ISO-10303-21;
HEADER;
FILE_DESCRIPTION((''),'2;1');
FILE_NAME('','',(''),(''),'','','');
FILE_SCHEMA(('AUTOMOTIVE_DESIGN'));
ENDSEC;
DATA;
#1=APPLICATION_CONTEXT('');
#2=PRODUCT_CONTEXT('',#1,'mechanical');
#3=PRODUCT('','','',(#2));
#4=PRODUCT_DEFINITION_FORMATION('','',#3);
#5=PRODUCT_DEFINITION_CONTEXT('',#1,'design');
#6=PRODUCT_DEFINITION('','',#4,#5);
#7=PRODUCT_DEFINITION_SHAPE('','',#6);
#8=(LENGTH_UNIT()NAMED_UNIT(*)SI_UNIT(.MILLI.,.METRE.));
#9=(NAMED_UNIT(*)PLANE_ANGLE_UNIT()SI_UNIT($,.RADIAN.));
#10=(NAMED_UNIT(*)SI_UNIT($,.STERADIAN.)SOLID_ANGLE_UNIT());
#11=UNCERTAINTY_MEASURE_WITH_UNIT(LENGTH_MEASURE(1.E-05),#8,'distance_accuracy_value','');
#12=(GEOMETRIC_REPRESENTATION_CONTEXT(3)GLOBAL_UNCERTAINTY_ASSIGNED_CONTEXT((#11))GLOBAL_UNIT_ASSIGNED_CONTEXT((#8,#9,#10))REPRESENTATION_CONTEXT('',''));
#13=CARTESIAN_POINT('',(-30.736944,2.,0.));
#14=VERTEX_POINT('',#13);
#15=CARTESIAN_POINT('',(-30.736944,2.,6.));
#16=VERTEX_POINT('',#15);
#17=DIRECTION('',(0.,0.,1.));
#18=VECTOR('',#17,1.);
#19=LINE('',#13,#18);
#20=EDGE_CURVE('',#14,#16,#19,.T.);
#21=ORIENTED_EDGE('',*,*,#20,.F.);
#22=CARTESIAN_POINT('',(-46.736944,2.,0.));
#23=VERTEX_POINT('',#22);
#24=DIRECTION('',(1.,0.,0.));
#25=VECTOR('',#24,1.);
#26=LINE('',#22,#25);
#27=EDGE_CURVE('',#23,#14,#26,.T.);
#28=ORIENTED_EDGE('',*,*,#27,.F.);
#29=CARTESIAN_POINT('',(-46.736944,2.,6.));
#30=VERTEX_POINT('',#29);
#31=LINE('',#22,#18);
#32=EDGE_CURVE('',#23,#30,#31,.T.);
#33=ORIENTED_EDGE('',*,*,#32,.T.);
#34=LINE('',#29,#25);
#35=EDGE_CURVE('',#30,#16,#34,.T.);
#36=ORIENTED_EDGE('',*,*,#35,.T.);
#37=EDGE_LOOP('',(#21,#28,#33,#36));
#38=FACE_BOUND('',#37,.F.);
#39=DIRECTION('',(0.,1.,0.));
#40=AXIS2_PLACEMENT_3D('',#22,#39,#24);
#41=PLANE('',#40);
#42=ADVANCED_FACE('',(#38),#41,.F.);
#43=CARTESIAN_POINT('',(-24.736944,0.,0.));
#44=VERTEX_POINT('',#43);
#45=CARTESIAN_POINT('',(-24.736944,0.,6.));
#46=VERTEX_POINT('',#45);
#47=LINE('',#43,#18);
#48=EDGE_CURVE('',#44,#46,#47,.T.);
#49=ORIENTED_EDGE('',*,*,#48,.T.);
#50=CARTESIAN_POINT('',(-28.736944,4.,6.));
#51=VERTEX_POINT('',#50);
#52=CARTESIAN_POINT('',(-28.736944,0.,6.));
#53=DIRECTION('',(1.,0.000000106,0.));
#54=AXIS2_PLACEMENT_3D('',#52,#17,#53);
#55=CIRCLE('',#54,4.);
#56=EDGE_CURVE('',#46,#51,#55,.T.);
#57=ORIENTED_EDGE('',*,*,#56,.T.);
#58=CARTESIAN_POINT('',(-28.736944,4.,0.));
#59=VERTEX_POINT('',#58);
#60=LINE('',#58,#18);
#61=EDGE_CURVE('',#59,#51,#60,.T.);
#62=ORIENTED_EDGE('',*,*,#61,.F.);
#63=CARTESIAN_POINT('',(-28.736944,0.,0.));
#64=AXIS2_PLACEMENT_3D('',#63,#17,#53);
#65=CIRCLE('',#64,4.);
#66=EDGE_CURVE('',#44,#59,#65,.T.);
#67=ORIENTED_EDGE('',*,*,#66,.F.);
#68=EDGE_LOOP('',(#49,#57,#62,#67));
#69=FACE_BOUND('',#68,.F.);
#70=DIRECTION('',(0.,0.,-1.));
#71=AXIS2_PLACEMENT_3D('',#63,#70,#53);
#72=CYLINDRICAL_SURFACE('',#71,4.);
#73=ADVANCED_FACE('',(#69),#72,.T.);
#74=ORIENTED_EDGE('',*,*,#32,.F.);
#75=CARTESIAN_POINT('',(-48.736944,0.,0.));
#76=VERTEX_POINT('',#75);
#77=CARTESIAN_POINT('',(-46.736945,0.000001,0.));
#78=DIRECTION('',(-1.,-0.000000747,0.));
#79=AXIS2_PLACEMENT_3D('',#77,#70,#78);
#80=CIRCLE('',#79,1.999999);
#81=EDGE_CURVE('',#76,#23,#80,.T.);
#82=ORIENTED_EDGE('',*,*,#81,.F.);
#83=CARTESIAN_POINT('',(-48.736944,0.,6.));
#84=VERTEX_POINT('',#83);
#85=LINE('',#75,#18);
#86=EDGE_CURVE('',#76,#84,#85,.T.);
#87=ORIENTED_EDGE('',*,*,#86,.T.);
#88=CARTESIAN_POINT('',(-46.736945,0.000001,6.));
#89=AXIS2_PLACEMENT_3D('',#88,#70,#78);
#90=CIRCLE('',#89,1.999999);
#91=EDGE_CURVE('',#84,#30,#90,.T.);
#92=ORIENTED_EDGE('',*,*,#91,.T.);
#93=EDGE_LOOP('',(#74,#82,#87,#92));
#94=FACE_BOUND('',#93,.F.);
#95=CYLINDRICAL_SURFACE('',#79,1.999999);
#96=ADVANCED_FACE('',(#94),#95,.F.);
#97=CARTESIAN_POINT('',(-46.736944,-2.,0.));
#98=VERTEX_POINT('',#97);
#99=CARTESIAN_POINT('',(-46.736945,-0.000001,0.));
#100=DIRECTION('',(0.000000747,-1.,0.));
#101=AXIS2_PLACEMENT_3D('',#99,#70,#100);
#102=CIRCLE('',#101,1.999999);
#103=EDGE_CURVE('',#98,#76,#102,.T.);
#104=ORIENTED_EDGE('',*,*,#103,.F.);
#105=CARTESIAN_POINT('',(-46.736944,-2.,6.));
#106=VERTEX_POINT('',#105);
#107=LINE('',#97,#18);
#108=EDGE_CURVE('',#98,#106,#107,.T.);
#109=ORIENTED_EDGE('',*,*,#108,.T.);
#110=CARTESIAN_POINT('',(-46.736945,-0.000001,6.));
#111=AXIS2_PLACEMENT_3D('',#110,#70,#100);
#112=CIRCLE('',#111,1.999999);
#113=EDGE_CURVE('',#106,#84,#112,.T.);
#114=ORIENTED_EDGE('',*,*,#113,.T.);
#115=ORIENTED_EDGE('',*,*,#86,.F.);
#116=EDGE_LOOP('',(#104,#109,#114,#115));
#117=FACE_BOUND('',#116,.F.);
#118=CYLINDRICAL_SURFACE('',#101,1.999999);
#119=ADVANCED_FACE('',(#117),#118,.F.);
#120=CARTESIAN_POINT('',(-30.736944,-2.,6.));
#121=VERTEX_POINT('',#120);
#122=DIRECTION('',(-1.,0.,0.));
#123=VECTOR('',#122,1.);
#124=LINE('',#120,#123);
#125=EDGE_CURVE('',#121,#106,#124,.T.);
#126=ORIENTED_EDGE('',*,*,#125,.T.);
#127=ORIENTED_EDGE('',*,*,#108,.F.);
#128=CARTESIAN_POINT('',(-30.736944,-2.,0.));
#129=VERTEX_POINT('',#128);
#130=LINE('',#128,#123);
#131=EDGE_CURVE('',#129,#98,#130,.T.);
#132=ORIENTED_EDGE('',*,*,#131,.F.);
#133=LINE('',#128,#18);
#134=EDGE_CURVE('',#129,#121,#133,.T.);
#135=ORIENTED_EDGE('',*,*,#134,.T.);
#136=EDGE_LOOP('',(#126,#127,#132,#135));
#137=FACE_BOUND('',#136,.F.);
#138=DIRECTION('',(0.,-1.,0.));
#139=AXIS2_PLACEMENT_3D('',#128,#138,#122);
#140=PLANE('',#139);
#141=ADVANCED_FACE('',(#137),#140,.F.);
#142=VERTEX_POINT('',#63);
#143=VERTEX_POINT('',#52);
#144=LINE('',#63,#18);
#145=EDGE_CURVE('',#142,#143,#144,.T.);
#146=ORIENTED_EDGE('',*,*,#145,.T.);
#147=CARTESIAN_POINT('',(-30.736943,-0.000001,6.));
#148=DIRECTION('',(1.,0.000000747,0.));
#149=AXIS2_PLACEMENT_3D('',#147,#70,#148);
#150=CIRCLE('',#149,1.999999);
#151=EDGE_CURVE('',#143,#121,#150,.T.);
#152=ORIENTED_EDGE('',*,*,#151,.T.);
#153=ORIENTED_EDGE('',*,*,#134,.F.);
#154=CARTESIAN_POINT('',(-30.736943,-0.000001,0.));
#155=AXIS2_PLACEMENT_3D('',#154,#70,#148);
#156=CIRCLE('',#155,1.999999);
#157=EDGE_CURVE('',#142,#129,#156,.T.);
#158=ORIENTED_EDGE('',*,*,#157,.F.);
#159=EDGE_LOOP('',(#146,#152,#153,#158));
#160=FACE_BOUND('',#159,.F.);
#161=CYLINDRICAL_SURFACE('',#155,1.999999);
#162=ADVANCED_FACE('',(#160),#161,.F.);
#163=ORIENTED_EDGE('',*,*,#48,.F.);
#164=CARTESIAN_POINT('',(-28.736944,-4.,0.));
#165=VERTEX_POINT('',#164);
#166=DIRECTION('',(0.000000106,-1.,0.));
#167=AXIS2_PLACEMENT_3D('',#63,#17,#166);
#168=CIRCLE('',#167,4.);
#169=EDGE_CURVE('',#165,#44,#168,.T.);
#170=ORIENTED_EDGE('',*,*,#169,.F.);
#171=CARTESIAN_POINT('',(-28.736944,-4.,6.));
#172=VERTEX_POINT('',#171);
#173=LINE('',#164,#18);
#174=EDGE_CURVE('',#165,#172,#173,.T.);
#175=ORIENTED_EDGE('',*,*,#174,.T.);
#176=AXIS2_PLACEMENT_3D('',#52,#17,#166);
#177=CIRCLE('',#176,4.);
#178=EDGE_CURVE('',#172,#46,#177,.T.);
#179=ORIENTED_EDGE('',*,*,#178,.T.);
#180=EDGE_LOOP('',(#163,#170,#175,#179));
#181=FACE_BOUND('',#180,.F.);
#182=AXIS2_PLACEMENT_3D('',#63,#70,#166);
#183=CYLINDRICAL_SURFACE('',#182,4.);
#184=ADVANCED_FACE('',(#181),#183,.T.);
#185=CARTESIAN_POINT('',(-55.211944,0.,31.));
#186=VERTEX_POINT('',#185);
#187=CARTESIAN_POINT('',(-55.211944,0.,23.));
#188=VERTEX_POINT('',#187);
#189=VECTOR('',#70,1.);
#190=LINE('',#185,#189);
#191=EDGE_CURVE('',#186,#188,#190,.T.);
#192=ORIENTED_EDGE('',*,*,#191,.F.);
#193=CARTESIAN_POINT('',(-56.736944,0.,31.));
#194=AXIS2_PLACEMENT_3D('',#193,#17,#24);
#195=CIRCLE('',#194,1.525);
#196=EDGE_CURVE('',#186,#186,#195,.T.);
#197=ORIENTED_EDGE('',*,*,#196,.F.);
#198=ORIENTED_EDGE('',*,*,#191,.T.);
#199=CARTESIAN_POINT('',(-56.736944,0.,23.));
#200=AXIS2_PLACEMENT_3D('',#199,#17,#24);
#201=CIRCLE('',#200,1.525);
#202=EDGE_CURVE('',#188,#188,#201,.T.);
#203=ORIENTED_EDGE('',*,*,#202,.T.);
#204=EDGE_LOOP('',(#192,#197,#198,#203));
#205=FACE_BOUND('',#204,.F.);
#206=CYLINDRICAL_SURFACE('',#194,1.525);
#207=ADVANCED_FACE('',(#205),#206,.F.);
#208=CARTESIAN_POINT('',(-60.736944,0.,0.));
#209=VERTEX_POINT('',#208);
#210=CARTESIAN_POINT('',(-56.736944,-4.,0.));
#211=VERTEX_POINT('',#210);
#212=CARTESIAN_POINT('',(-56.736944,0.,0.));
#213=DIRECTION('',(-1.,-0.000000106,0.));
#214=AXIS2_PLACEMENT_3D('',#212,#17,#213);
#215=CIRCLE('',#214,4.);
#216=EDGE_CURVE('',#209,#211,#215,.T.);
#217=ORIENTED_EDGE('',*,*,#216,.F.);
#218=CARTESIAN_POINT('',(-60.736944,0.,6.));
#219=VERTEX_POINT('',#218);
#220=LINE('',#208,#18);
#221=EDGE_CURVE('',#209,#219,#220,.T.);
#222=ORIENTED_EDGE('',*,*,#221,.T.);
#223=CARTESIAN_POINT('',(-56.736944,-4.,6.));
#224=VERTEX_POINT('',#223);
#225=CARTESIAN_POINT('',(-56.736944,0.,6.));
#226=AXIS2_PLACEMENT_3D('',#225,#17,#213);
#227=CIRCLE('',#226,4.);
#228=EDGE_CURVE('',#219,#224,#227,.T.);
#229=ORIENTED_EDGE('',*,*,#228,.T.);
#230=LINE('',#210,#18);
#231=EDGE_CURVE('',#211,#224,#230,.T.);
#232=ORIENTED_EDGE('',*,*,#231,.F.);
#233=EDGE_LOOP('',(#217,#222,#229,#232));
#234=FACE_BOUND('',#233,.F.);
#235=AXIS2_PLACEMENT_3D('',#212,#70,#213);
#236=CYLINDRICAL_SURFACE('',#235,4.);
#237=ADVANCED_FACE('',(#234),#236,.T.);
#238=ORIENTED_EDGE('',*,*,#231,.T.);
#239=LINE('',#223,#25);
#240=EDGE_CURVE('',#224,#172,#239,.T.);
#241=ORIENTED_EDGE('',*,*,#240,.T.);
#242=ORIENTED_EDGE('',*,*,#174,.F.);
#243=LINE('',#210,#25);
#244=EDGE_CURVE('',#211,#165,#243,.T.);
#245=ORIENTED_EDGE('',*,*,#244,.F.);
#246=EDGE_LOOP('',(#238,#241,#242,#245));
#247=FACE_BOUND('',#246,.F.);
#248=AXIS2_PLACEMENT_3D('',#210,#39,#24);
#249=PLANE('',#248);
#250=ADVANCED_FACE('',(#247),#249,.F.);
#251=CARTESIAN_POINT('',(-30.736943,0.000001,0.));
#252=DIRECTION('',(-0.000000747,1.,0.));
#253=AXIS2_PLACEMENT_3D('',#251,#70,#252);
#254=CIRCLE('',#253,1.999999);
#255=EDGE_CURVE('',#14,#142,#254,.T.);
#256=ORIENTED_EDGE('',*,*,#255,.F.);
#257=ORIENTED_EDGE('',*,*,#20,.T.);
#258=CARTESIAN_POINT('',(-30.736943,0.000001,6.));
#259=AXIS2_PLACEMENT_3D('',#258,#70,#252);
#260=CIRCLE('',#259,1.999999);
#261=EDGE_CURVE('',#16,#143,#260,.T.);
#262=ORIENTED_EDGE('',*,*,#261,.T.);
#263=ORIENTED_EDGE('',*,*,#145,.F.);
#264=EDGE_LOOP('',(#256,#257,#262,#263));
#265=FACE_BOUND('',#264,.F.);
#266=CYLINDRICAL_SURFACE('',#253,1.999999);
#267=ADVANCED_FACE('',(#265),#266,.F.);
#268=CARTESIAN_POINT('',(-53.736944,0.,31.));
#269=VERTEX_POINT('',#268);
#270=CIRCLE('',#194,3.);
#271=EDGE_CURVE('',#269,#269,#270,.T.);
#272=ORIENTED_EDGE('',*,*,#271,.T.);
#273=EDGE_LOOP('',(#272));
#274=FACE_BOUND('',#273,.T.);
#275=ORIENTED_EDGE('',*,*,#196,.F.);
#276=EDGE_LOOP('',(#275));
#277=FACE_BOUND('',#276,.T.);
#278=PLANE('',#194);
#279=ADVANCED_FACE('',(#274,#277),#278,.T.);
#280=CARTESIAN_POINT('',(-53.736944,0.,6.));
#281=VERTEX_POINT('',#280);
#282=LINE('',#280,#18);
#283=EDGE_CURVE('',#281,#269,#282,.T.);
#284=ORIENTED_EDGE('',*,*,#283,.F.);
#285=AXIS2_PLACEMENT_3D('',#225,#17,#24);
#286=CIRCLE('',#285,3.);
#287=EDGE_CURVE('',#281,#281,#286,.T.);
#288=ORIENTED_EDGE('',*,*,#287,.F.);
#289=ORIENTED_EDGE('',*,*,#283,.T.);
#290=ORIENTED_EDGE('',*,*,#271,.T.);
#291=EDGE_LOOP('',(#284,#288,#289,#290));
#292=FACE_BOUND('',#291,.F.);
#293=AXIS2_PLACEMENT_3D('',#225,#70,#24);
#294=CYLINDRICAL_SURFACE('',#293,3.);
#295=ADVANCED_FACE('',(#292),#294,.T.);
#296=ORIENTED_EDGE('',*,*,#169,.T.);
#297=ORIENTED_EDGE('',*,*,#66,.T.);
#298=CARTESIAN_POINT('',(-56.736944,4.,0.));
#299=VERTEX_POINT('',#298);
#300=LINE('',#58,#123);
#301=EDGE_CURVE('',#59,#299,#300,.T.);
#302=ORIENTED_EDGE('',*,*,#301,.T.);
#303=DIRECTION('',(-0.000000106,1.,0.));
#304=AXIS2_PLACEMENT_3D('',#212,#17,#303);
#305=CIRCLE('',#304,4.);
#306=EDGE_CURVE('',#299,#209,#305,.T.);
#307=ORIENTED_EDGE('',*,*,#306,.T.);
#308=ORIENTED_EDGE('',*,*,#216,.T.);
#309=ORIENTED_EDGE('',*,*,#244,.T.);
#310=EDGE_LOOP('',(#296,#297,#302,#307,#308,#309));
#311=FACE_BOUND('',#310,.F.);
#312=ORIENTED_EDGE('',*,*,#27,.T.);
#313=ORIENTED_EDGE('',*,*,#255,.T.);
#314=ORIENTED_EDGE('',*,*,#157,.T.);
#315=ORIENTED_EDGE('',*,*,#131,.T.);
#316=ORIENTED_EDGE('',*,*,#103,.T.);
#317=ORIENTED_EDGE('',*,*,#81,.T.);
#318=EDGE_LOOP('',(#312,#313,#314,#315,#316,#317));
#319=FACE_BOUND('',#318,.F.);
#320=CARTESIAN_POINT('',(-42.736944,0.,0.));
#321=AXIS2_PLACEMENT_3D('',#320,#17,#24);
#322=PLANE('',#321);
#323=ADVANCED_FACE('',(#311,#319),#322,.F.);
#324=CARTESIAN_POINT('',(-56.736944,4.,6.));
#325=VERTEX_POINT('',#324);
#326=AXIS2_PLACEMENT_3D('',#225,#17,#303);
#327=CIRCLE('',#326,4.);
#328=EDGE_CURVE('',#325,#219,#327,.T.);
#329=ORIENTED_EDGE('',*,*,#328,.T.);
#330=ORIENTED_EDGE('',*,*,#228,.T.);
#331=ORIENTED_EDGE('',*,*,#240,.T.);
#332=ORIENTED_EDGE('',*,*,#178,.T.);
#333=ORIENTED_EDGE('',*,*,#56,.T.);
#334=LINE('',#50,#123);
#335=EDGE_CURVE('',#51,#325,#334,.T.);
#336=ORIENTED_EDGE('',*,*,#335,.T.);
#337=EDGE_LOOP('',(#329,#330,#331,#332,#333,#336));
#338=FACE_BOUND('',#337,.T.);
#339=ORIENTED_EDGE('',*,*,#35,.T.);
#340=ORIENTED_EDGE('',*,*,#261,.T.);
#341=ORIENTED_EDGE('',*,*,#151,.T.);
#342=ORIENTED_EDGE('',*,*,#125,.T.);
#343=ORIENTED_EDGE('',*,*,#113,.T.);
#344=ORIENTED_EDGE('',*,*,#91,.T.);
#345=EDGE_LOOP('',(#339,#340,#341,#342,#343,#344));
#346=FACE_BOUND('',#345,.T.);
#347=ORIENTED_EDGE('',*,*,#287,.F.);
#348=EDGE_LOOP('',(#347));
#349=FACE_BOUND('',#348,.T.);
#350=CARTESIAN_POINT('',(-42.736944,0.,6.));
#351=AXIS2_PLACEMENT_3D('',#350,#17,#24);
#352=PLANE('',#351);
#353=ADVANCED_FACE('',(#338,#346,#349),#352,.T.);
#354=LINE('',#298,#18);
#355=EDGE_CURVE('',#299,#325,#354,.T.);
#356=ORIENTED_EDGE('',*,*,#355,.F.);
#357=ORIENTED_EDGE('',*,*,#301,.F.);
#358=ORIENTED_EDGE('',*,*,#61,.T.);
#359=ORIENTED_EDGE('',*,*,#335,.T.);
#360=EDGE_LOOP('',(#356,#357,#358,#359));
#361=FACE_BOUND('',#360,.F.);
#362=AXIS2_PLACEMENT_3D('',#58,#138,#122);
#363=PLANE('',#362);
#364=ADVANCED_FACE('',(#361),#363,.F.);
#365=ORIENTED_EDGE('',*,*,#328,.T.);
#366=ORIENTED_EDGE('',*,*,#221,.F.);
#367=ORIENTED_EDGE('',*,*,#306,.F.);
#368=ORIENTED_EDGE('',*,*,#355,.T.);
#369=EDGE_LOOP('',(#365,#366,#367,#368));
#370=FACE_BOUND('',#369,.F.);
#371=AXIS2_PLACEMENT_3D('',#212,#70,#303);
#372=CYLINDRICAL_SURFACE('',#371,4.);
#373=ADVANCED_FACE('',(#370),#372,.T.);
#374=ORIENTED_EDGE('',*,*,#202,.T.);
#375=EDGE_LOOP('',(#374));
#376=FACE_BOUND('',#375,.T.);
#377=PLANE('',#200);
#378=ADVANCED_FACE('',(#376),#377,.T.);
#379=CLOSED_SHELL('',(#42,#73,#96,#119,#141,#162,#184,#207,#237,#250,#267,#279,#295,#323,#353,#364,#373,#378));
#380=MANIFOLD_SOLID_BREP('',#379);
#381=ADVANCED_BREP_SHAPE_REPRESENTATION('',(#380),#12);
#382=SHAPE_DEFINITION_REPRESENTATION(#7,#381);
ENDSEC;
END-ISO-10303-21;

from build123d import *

# Parameters (mm, degrees)
F1_DEPTH = 6
F2_R     = 3
F3_DEPTH = 25
F4_R     = 1.525
F5_DEPTH = 8


with BuildPart() as f1:
    # F0 (on Top) → F1 (new body)
    with BuildSketch(Plane.XY):
        with BuildLine():
            Line((-28.736944, 4), (-56.736944, 4))
            ThreePointArc((-56.736944, 4), (-59.565371, 2.828427), (-60.736944, 0))
            ThreePointArc((-60.736944, 0), (-59.565371, -2.828427), (-56.736944, -4))
            Line((-56.736944, -4), (-28.736944, -4))
            ThreePointArc((-28.736944, -4), (-25.908517, -2.828427), (-24.736944, 0))
            ThreePointArc((-24.736944, 0), (-25.908517, 2.828427), (-28.736944, 4))
        make_face()
        with BuildLine():
            ThreePointArc((-48.736944, 0), (-48.151158, 1.414214), (-46.736944, 2))
            Line((-46.736944, 2), (-30.736944, 2))
            ThreePointArc((-30.736944, 2), (-29.32273, 1.414214), (-28.736944, 0))
            ThreePointArc((-28.736944, 0), (-29.32273, -1.414214), (-30.736944, -2))
            Line((-30.736944, -2), (-46.736944, -2))
            ThreePointArc((-46.736944, -2), (-48.151158, -1.414214), (-48.736944, 0))
        make_face(mode=Mode.SUBTRACT)
    extrude(amount=F1_DEPTH)

    # F2 (on face) → F3 (join)
    with BuildSketch(Plane.XY.offset(6)):
        with Locations((-56.736944, 0)):
            Circle(F2_R)
    extrude(amount=F3_DEPTH)

    # F4 (on face) → F5 (cut)
    with BuildSketch(Plane.XY.offset(31)):
        with Locations((-56.736944, 0)):
            Circle(F4_R)
    extrude(amount=-F5_DEPTH, mode=Mode.SUBTRACT)


solid = f1.part
